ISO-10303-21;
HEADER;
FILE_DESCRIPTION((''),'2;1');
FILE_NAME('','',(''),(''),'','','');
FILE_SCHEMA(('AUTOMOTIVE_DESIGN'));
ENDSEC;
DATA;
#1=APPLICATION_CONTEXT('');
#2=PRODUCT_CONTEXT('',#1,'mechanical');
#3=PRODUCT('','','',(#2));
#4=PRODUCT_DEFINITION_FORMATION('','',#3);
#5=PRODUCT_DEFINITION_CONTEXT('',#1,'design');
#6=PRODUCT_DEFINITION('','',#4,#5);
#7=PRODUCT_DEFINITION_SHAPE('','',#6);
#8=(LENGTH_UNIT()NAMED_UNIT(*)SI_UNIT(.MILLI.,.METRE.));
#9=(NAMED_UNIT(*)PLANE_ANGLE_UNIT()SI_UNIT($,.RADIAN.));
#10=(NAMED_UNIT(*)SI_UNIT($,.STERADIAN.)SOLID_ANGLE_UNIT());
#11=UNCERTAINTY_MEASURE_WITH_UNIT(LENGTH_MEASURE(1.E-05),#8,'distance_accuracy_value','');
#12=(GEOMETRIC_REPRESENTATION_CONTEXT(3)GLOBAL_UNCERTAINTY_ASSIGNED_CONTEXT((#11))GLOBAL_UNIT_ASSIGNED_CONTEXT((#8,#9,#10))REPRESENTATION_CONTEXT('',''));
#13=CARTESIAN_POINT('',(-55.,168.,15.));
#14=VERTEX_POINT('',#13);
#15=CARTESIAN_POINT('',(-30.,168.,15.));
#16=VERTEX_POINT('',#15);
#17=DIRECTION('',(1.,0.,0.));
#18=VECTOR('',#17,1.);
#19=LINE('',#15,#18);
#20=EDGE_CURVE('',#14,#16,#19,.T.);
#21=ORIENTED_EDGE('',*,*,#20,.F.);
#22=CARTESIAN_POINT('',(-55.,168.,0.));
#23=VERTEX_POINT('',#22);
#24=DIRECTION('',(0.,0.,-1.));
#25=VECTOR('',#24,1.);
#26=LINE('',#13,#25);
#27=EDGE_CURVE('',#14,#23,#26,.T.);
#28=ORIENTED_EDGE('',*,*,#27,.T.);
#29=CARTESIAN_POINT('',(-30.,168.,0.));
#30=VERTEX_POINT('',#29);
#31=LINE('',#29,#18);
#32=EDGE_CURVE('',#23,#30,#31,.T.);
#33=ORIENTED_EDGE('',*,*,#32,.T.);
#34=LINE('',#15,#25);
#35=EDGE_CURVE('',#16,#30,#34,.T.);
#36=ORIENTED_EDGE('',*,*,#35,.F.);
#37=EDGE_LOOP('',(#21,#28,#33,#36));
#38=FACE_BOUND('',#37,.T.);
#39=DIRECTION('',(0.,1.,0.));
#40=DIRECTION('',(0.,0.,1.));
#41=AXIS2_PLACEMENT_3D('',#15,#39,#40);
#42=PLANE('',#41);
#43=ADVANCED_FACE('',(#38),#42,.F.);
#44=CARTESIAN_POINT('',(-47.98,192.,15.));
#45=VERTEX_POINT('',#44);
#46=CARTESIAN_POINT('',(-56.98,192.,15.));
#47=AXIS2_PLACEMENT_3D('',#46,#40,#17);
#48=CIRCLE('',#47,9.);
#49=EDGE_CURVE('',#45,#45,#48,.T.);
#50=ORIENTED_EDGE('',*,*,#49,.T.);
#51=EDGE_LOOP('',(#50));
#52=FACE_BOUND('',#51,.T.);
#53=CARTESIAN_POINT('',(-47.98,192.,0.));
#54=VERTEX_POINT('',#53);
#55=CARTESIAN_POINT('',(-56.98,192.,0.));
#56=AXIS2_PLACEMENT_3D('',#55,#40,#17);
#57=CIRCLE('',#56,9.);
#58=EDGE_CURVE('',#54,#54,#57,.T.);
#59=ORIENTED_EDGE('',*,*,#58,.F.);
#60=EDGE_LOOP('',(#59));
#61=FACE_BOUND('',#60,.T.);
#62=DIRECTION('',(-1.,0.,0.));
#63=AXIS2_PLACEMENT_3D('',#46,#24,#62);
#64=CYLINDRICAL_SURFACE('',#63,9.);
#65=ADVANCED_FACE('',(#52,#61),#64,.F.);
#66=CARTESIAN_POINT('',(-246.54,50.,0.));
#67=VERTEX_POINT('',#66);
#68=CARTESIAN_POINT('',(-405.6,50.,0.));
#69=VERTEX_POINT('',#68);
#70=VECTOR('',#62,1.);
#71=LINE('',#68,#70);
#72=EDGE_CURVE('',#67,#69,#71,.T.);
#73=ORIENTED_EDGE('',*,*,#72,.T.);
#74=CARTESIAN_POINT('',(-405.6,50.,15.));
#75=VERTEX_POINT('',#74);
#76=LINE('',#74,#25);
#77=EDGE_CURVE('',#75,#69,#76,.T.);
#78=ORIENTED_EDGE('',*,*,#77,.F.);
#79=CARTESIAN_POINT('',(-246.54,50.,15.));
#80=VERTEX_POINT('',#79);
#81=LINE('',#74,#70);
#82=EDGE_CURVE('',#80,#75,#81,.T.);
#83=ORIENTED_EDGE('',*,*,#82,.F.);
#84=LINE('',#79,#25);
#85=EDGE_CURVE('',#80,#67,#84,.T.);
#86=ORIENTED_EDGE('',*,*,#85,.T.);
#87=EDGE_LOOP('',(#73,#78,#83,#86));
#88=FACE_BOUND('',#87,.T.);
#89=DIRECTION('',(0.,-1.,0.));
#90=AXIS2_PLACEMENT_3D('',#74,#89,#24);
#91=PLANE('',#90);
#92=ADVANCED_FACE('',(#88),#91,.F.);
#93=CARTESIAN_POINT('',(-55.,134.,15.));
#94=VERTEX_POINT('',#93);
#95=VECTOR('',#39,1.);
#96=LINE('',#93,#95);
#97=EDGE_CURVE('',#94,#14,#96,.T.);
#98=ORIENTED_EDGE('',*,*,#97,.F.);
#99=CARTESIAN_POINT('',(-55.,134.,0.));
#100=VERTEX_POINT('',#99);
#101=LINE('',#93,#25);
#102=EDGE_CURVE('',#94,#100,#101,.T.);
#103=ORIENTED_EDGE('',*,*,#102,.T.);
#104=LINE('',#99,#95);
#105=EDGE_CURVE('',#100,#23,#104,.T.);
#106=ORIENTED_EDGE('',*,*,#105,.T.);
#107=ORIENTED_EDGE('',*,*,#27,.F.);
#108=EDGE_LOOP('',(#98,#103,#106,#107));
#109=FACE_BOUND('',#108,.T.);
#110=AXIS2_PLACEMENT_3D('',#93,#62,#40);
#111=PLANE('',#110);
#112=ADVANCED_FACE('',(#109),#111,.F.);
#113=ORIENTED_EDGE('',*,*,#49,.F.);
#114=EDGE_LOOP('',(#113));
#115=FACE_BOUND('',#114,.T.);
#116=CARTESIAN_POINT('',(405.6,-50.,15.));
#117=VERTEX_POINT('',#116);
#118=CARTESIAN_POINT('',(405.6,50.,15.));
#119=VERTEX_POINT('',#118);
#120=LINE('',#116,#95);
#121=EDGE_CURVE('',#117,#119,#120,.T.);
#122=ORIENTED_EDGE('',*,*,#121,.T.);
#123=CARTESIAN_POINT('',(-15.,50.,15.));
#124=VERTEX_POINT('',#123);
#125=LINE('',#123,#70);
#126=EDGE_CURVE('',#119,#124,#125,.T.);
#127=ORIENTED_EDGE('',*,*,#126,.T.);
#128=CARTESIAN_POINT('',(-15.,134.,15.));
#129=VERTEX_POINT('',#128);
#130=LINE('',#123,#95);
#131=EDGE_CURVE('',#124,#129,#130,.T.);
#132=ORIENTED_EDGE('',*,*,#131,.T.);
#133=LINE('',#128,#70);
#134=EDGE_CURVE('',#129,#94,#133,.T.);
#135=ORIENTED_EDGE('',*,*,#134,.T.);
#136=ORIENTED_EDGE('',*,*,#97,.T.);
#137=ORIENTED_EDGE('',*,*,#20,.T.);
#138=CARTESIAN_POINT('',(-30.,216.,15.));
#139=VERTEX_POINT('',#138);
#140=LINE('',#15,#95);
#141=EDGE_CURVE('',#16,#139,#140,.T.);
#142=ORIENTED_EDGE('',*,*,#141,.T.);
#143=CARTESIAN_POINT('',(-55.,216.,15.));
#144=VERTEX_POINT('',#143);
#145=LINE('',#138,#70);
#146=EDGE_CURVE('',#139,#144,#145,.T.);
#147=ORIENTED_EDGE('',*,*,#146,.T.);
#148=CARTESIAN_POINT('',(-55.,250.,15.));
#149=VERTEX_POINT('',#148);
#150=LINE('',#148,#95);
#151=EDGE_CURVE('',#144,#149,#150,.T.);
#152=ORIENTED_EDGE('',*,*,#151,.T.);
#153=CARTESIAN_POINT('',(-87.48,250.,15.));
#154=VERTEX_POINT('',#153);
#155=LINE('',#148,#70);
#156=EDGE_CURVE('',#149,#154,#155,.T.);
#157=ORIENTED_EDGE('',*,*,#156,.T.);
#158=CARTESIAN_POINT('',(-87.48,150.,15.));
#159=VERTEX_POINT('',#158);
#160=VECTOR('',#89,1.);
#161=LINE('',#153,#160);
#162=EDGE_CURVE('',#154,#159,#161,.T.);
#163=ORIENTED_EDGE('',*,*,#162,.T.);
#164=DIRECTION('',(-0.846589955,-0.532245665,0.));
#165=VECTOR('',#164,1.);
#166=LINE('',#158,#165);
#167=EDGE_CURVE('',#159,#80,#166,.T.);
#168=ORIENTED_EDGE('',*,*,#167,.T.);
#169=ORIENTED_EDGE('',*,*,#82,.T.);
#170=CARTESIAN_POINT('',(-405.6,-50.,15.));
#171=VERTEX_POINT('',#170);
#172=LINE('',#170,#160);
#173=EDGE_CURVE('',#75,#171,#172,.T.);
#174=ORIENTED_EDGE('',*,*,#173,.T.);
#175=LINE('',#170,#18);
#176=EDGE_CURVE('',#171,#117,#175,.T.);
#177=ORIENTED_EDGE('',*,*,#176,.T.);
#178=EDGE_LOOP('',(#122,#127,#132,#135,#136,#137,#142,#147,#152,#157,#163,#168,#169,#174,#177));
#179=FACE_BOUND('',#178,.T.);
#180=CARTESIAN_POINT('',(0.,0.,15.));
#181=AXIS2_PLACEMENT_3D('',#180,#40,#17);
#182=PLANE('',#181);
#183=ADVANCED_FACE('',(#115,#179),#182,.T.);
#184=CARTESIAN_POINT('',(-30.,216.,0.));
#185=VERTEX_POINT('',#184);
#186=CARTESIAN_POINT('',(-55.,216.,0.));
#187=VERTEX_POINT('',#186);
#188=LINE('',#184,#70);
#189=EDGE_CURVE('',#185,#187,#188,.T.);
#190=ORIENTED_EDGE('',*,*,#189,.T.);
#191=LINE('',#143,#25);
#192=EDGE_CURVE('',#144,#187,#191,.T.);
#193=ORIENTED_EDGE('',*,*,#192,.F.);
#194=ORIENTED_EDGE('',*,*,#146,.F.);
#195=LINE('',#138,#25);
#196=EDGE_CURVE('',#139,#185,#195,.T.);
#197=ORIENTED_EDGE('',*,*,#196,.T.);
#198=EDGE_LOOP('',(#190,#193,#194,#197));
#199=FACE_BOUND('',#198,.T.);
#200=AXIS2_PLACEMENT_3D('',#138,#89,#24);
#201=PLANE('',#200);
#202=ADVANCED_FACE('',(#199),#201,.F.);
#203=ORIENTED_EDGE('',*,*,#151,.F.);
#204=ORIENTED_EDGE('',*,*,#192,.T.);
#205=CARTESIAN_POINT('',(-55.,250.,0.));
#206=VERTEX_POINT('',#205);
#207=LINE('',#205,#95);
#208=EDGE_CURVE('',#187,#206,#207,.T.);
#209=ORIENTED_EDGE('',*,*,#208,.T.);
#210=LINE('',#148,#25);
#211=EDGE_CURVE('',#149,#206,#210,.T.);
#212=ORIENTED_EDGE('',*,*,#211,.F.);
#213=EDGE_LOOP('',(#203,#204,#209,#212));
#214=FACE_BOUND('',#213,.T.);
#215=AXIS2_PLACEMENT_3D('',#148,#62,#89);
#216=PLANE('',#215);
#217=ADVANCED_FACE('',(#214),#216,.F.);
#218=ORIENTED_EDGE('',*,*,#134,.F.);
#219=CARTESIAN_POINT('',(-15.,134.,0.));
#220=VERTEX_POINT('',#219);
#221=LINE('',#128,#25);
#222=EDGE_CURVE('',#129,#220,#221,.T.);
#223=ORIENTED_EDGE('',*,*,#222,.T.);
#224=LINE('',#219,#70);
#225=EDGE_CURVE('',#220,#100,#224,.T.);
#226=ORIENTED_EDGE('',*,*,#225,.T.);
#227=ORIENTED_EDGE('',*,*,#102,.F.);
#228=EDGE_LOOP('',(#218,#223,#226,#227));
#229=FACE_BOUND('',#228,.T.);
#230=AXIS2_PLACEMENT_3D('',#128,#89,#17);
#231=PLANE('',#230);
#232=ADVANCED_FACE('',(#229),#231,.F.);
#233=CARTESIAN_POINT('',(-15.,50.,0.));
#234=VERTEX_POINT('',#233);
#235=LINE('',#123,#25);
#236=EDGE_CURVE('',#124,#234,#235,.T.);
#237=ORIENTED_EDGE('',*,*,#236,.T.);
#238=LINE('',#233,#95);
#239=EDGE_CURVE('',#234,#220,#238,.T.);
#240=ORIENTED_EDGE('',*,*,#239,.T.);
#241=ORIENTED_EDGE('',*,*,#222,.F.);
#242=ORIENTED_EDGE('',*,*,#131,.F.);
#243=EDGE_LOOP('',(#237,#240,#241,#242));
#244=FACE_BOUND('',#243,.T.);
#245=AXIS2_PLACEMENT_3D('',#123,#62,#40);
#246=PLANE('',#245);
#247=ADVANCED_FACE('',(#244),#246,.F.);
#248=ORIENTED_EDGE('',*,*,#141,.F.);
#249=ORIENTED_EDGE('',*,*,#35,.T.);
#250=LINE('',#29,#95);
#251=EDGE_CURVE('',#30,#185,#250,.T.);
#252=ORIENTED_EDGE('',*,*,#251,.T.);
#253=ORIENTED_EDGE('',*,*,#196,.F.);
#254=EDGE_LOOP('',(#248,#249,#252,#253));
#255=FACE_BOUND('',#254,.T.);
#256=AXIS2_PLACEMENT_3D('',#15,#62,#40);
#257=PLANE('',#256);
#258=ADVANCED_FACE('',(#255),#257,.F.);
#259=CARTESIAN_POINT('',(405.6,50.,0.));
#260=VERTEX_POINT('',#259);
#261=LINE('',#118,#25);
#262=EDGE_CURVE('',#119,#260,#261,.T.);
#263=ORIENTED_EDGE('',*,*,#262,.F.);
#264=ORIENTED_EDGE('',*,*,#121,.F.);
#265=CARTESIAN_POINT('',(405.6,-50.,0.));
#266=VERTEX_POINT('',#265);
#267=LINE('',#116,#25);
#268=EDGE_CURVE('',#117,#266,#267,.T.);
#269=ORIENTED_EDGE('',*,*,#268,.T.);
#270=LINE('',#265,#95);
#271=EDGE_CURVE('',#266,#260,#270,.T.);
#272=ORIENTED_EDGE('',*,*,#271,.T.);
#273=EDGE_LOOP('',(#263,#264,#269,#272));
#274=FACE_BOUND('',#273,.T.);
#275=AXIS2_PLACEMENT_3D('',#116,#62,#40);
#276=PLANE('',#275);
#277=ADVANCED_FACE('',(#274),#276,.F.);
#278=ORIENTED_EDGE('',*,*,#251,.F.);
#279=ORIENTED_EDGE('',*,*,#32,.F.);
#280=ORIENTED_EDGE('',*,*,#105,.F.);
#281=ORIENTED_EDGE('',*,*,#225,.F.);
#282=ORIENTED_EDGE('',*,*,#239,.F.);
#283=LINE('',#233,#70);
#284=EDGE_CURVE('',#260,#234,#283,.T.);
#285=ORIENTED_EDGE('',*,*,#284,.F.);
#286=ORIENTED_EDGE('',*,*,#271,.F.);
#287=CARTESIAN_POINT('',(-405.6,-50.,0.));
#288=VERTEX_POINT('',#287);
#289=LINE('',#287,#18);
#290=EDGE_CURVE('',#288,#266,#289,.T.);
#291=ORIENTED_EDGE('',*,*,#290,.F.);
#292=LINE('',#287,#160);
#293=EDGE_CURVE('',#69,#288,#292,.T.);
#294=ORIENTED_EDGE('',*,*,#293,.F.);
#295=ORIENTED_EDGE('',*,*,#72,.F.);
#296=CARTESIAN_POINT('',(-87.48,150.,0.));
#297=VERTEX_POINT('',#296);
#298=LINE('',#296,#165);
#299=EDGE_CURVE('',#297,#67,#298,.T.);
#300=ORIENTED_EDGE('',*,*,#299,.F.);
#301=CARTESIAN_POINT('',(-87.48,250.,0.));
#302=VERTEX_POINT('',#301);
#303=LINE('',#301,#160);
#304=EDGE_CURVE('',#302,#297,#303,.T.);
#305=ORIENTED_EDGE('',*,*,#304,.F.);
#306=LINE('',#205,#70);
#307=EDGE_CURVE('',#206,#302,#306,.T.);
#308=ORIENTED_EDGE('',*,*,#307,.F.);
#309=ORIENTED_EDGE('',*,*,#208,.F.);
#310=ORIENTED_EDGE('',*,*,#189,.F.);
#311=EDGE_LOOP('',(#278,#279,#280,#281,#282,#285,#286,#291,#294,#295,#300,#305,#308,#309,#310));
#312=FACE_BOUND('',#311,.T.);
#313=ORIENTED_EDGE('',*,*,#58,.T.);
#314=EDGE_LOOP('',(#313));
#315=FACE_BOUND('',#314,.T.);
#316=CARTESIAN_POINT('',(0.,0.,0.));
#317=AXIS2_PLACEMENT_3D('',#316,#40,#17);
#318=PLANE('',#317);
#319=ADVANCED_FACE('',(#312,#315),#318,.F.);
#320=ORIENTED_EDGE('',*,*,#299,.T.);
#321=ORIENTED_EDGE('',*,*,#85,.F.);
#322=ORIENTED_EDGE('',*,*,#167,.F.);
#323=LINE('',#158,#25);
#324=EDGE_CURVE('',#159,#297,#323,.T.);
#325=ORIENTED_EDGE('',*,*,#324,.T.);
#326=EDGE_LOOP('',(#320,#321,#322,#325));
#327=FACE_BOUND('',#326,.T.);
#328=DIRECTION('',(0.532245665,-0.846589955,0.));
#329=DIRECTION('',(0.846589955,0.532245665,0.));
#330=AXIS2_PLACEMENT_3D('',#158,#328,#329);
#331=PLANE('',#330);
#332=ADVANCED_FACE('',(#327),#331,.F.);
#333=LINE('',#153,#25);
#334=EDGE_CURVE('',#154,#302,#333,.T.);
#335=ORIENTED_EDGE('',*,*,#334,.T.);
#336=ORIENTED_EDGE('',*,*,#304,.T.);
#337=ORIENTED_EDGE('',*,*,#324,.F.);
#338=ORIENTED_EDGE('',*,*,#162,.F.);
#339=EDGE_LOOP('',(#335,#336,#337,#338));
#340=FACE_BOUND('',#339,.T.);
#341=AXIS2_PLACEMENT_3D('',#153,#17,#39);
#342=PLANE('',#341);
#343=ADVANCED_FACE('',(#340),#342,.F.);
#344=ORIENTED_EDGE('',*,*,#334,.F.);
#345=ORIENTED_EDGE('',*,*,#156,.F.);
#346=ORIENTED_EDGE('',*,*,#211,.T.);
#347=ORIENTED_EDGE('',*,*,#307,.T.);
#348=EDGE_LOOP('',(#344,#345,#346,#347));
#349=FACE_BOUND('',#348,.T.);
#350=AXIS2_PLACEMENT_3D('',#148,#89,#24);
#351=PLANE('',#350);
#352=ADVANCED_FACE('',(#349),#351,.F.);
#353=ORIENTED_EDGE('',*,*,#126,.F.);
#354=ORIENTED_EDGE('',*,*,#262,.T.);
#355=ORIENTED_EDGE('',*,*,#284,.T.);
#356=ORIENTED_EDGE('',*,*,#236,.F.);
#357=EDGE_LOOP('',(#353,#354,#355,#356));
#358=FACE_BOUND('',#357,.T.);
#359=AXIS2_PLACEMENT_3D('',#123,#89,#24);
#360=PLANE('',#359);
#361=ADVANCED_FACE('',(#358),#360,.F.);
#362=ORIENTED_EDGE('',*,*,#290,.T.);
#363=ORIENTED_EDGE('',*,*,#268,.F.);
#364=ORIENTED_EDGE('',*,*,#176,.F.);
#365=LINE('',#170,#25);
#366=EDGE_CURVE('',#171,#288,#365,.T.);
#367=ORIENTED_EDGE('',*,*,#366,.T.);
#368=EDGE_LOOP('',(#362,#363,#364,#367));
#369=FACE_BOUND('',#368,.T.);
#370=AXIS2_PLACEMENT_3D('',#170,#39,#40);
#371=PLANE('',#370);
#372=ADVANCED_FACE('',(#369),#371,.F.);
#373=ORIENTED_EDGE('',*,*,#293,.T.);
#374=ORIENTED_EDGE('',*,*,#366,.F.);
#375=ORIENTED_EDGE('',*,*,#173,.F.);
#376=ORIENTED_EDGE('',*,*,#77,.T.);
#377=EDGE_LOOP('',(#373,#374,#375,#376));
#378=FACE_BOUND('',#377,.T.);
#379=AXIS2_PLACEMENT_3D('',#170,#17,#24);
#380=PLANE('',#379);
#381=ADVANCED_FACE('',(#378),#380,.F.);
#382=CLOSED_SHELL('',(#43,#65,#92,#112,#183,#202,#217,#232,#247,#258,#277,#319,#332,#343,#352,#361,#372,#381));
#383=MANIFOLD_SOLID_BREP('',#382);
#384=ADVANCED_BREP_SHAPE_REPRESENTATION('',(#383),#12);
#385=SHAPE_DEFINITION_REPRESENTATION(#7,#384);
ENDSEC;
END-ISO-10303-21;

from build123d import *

# Parameters (mm, degrees)
CROQUIS1_R              = 9
SALIENTE_EXTRUIR1_DEPTH = 15


with BuildPart() as part:
    # Croquis1 → Saliente-Extruir1 (new body)
    with BuildSketch(Plane.XY):
        Polygon((-15, 50), (-15, 134), (-55, 134), (-55, 168), (-30, 168), (-30, 216), (-55, 216), (-55, 250), (-87.48, 250), (-87.48, 150), (-246.54, 50), (-405.6, 50), (-405.6, -50), (405.6, -50), (405.6, 50), align=None)
        with Locations((-56.98, 192)):
            Circle(CROQUIS1_R, mode=Mode.SUBTRACT)
    extrude(amount=SALIENTE_EXTRUIR1_DEPTH)


solid = part.part
